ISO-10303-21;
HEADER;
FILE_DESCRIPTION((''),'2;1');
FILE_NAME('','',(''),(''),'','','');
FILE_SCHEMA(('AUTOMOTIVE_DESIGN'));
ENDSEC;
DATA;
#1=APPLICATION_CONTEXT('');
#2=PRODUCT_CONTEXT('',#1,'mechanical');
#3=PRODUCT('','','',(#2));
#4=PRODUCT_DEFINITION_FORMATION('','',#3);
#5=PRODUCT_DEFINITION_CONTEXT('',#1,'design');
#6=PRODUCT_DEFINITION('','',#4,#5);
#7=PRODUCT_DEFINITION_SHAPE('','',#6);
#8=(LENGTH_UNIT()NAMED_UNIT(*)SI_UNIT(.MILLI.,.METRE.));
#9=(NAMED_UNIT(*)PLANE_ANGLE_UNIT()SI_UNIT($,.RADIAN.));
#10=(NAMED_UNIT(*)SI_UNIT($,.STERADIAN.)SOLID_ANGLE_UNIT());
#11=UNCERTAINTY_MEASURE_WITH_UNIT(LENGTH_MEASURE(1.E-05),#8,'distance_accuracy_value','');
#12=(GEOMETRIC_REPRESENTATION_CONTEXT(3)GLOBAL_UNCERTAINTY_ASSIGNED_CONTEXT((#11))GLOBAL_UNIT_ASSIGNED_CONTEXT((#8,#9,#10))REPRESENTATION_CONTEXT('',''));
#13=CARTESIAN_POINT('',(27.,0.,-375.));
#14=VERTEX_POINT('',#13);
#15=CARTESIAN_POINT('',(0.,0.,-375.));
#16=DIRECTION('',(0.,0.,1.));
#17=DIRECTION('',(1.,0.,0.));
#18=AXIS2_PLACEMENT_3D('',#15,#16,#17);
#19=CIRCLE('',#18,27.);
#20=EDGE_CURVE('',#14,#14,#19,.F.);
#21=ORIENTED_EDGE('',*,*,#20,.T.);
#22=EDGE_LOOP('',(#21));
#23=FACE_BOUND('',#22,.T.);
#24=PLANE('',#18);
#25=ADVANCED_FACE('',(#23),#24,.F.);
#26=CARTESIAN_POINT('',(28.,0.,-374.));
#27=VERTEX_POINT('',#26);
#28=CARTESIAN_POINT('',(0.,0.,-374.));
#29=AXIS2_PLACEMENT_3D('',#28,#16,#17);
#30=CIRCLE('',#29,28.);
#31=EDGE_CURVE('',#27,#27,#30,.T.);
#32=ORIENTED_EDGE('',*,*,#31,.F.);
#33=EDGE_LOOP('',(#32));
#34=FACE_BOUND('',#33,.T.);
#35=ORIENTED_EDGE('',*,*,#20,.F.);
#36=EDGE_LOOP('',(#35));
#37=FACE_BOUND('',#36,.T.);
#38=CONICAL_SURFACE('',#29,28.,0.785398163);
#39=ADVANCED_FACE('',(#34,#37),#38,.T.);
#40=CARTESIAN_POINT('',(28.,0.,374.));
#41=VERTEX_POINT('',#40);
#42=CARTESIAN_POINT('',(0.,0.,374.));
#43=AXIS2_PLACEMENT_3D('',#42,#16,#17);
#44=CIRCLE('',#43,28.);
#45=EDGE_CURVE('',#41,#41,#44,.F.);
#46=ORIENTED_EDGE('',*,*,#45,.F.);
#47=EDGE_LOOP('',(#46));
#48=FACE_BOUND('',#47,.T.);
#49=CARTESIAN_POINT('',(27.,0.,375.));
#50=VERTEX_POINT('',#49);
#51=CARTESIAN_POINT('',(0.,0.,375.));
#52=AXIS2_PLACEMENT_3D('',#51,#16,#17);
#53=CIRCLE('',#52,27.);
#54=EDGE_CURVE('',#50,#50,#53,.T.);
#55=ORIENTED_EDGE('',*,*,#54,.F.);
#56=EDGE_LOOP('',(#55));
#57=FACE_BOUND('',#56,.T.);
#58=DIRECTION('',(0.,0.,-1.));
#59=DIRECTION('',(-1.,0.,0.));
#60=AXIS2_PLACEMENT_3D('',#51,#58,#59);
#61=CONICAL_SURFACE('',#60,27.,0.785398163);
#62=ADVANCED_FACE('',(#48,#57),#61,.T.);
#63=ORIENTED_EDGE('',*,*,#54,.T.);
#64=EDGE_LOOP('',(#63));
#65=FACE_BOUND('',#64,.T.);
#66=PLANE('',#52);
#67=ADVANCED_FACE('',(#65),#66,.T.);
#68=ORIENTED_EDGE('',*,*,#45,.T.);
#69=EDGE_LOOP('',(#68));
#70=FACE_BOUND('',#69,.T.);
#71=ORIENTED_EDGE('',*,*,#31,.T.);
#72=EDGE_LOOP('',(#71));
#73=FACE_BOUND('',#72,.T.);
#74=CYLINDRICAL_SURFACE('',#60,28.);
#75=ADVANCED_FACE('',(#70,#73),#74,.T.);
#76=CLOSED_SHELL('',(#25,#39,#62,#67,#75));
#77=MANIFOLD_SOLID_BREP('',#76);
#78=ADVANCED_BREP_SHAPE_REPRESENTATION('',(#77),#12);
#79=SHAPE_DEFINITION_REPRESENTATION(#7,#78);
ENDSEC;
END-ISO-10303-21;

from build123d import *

# Parameters (mm, degrees)
SKETCH1_R           = 28
BOSS_EXTRUDE1_DEPTH = 375
CHAMFER1_SIZE       = 1


with BuildPart() as part:
    # Sketch1 → Boss-Extrude1 (new body, symmetric)
    with BuildSketch(Plane.XY):
        Circle(SKETCH1_R)
    extrude(amount=BOSS_EXTRUDE1_DEPTH, both=True)

    # Chamfer1
    chamfer1_edges = [part.edges().sort_by_distance(p)[0] for p in [
        (-28, 0, -375),
        (-28, 0, 375),
    ]]
    chamfer(chamfer1_edges, length=CHAMFER1_SIZE)


solid = part.part
